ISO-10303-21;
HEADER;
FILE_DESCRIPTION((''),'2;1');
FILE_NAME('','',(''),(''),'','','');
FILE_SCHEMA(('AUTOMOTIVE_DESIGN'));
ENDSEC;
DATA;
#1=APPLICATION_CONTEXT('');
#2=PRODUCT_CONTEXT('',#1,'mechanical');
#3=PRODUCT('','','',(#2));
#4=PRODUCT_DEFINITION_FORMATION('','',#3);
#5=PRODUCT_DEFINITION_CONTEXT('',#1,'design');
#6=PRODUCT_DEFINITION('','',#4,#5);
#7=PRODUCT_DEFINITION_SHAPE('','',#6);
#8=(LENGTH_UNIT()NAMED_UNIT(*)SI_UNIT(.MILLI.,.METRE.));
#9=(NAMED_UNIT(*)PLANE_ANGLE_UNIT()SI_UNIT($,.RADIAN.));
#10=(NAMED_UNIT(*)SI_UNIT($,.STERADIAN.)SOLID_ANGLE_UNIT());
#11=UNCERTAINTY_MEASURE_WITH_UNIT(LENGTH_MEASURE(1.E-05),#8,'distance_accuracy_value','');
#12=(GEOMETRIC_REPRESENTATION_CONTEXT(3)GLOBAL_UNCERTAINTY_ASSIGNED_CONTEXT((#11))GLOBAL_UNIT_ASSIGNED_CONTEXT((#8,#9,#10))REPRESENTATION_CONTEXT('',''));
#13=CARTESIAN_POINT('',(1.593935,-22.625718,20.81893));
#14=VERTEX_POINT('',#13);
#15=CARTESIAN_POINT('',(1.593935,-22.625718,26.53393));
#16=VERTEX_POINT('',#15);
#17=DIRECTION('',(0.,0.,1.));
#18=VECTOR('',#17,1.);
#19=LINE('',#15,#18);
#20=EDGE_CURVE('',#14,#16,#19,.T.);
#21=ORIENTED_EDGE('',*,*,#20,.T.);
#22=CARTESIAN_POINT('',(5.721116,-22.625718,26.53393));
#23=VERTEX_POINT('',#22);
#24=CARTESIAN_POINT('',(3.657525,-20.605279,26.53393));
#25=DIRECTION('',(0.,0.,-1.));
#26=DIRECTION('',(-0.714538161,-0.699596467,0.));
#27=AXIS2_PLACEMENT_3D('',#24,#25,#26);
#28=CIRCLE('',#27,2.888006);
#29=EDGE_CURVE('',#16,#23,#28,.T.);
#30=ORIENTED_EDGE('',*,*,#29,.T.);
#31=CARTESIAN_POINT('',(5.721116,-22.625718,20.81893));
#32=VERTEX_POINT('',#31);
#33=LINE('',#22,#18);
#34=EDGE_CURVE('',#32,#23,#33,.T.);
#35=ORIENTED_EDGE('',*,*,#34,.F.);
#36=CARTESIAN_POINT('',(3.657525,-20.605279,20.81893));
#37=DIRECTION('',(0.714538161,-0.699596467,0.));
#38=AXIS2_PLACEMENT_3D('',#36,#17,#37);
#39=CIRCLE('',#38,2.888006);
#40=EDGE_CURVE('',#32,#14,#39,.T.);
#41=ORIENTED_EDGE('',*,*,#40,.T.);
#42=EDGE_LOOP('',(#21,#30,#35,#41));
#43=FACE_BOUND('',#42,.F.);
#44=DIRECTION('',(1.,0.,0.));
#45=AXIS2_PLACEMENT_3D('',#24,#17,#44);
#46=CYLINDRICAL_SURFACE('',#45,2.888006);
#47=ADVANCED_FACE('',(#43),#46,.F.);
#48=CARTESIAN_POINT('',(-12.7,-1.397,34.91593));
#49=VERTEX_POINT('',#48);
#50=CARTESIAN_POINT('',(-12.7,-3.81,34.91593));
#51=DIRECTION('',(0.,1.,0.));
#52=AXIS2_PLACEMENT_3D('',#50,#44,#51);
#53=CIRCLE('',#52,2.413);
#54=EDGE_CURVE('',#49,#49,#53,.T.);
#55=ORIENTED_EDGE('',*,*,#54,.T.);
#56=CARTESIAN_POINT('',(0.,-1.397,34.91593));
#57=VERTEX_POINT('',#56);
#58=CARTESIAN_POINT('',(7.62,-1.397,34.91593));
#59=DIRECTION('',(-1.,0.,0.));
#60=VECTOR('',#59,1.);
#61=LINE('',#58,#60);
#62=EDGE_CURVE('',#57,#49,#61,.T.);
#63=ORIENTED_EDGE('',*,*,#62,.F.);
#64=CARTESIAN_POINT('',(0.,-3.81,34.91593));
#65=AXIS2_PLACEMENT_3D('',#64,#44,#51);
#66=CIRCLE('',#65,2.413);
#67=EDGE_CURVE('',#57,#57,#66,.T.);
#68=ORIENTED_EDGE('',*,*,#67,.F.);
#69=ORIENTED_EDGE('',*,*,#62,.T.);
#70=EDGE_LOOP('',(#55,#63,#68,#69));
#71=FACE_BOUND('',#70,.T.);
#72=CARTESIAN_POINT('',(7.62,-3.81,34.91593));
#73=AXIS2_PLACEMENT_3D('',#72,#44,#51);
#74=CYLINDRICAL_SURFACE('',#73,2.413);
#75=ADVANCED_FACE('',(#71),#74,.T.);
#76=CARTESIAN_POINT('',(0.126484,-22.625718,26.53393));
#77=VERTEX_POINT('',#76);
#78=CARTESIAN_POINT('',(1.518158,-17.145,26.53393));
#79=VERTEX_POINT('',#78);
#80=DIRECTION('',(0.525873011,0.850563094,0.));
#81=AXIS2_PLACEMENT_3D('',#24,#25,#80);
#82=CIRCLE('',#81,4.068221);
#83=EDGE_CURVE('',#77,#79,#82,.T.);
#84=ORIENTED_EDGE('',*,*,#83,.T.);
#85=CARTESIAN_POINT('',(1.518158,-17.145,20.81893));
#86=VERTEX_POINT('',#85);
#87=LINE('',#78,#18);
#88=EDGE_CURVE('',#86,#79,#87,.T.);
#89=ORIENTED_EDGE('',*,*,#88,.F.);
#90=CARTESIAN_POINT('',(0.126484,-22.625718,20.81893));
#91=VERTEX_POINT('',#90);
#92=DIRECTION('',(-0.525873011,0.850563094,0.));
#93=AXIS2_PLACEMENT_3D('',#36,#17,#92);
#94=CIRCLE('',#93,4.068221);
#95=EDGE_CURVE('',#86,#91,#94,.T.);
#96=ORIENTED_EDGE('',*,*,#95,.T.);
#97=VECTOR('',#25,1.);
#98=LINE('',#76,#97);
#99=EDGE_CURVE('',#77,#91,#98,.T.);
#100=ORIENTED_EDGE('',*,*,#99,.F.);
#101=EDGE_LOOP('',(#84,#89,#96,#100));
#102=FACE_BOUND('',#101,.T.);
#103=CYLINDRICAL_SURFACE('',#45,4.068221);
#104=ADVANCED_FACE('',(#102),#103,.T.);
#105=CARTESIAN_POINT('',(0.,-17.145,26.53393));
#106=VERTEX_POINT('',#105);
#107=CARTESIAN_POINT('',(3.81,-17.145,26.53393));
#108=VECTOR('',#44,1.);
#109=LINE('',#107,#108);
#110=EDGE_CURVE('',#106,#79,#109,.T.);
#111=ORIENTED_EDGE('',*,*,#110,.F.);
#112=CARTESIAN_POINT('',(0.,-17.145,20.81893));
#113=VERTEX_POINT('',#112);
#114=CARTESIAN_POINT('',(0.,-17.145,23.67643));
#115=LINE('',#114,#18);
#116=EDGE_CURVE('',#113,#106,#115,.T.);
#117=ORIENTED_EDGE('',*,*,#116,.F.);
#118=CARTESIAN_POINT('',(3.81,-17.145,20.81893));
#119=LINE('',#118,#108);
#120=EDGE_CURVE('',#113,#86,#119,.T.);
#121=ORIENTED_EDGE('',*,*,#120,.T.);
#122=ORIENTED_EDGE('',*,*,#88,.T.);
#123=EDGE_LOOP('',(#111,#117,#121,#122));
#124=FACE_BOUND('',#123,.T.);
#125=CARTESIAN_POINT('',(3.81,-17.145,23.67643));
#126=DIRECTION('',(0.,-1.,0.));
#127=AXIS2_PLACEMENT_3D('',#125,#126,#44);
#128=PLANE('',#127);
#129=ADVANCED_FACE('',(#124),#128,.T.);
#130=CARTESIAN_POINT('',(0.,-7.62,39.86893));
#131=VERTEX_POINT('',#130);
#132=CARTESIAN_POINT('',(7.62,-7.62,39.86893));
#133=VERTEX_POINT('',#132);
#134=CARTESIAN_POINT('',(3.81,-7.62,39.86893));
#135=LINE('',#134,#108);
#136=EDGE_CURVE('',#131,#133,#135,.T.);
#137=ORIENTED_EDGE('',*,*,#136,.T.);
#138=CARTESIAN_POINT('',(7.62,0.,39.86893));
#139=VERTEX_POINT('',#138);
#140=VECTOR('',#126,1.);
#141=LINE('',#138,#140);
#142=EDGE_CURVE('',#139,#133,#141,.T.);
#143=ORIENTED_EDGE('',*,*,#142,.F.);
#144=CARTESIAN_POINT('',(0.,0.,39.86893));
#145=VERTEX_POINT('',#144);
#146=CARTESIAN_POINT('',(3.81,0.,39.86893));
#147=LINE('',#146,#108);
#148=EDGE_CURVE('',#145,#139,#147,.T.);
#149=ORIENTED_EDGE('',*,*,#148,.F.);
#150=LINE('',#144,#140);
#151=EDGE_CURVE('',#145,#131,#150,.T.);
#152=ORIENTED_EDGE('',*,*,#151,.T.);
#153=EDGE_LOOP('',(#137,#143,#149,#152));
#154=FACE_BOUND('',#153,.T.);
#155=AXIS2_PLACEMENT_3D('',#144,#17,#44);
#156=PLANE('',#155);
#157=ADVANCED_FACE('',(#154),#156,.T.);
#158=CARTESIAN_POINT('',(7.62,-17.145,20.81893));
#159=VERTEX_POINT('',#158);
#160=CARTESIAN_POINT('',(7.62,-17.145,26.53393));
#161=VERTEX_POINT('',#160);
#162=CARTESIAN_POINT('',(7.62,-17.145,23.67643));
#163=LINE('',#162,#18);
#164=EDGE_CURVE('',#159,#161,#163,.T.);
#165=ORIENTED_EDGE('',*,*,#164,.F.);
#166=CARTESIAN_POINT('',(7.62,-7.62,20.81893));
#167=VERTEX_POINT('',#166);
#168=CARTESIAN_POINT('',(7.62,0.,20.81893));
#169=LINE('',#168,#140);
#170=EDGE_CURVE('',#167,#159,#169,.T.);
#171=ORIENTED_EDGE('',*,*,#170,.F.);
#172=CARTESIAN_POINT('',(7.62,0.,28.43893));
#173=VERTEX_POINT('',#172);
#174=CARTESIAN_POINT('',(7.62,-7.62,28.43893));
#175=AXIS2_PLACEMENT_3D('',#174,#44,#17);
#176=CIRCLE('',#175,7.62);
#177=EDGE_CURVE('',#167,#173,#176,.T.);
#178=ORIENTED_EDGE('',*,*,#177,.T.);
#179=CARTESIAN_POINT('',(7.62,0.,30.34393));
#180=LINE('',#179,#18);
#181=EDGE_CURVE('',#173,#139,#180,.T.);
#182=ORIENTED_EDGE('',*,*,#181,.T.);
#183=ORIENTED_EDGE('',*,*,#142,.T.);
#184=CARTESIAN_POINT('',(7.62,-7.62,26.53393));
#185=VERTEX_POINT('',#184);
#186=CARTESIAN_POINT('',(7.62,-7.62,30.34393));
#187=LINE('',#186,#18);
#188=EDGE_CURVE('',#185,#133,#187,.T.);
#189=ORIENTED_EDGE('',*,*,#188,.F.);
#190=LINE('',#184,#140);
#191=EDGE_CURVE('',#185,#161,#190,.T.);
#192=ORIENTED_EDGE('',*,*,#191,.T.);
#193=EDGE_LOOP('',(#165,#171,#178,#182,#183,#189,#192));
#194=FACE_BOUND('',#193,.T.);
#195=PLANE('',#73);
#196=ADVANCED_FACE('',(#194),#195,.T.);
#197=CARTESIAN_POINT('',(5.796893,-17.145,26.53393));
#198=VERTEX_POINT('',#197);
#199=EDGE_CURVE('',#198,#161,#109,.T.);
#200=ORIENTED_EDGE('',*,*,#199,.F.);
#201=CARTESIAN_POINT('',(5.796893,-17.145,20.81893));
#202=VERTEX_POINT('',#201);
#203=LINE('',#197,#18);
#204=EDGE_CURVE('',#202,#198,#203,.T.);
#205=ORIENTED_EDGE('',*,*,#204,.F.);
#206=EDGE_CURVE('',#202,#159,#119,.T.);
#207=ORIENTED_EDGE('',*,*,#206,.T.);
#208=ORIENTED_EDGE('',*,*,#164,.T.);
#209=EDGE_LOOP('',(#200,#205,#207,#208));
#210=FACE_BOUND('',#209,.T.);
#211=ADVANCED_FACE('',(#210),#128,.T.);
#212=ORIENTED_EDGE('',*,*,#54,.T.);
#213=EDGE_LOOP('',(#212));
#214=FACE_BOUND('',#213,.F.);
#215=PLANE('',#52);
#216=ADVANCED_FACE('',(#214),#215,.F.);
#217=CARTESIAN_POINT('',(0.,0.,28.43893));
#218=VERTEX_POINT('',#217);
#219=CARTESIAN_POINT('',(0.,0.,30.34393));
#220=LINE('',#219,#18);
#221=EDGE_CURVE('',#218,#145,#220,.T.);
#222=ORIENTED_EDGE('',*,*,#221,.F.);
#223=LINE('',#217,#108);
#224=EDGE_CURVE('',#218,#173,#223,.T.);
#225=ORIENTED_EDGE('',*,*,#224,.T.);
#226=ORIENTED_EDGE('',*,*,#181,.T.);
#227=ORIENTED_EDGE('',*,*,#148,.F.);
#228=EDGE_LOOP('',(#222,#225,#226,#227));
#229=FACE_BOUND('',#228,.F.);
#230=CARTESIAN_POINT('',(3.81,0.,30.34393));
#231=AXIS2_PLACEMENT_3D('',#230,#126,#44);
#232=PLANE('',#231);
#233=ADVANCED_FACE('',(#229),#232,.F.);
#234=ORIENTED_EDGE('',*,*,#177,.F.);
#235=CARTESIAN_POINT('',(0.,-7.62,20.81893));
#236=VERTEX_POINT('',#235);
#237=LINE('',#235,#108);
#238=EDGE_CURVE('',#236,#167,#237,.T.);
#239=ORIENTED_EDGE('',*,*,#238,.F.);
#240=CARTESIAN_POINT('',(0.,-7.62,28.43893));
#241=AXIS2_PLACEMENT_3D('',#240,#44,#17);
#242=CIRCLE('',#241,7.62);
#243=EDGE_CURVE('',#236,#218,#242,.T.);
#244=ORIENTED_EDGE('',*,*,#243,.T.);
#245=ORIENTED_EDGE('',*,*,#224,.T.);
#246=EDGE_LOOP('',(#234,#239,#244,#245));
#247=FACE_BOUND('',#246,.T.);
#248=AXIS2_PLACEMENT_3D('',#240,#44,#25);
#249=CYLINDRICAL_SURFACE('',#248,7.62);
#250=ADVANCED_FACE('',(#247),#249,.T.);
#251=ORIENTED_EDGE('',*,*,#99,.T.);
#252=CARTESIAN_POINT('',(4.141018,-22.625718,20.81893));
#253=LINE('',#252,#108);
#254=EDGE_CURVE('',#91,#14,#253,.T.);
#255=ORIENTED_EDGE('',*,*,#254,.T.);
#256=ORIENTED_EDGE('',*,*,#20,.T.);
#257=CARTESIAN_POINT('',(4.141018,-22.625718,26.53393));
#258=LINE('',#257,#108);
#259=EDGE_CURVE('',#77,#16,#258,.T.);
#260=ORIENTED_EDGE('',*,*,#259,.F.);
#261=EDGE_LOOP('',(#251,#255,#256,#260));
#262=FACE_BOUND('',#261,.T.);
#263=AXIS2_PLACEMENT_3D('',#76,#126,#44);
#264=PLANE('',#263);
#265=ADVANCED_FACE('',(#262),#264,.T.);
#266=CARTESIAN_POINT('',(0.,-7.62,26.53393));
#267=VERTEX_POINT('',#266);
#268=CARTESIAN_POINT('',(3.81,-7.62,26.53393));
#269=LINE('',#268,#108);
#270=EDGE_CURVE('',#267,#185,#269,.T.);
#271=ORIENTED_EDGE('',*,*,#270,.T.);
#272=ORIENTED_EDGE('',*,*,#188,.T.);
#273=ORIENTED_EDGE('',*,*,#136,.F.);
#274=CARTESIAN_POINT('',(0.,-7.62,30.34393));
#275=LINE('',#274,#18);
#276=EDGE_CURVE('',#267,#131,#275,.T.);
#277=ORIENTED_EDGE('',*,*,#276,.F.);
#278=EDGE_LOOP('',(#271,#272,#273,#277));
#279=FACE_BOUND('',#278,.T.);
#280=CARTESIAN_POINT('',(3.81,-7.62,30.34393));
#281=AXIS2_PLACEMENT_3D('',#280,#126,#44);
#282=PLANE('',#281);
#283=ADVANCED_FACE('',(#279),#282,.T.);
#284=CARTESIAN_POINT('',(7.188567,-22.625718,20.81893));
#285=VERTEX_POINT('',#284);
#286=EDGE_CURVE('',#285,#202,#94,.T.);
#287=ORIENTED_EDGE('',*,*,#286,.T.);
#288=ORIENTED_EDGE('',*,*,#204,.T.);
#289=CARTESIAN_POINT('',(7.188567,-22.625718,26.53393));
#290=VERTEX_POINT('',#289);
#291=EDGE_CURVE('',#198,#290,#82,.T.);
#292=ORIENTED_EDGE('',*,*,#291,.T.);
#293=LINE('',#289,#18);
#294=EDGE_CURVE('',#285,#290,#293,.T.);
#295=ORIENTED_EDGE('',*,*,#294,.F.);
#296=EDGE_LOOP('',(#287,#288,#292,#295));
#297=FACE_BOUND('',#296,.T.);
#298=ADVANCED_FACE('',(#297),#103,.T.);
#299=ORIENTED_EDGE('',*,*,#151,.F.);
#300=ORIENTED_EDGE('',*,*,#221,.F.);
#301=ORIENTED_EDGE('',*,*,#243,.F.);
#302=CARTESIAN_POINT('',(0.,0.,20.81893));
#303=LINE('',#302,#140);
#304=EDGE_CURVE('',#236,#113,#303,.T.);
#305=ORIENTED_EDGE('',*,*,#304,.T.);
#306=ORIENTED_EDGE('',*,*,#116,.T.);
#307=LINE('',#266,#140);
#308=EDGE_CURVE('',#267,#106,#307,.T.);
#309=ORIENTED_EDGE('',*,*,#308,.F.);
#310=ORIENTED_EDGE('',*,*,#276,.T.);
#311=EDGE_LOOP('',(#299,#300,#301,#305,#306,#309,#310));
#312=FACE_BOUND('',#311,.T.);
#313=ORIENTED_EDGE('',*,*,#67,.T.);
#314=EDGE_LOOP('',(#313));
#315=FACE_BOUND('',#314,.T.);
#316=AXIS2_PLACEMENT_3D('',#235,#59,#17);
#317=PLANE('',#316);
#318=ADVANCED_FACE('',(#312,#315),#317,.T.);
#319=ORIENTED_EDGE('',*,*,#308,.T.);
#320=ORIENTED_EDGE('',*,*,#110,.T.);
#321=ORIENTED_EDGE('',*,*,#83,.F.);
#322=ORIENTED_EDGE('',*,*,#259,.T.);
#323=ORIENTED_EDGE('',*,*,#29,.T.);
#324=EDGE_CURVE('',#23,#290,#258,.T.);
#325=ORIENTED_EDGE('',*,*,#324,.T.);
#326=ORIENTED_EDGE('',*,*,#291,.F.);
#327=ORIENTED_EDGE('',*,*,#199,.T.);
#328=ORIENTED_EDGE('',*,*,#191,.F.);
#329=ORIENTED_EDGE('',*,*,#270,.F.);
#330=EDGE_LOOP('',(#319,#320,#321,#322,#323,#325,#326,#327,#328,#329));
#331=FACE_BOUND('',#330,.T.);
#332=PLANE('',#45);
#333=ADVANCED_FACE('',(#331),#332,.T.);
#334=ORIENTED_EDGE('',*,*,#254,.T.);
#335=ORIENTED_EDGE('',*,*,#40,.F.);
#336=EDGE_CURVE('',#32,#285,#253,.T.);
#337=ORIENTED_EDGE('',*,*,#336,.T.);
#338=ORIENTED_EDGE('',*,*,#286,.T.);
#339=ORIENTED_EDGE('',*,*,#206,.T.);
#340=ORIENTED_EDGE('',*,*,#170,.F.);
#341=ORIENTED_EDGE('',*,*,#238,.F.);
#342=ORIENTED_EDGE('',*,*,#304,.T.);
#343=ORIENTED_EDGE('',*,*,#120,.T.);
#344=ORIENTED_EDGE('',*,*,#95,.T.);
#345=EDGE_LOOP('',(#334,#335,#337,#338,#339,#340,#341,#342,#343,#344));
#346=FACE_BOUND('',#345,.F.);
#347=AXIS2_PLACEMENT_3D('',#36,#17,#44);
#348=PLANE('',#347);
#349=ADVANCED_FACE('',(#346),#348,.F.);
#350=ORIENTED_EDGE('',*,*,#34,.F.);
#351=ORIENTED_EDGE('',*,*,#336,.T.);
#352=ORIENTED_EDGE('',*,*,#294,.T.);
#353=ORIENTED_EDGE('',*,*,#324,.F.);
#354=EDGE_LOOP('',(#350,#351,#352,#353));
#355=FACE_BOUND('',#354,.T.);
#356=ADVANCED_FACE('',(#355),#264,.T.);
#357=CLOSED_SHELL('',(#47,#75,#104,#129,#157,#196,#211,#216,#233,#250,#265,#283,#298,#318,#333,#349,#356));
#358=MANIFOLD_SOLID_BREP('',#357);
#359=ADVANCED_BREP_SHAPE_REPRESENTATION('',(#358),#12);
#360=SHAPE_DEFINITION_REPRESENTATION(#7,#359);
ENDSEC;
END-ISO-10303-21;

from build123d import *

# Parameters (mm, degrees)
F0_W      = 5.08
F0_H      = 12.7
F1_DEPTH  = 5.08
F2_W      = 5.08
F2_H      = 3.81
F3_DEPTH  = 6.35
F4_R      = 5.08
F5_R      = 2.7121475218
F6_DEPTH  = 3.81
F7_R      = 1.9253373718
F8_DEPTH  = 3.81
F9_W      = 5.3527112813
F9_H      = 1.6279429131
F10_DEPTH = 3.81
F11_SCALE = 1.5
F12_R     = 2.413
F13_DEPTH = 20.32


with BuildPart() as f1:
    # F0 (on Front) → F1 (new body)
    with BuildSketch(Plane.XZ):
        with Locations((2.54, 20.2292869008)):
            Rectangle(F0_W, F0_H)
    extrude(amount=F1_DEPTH)

    # F2 (on face) → F3 (join)
    with BuildSketch(Plane.XZ.offset(5.08)):
        with Locations((2.54, 15.7842869008)):
            Rectangle(F2_W, F2_H)
    extrude(amount=F3_DEPTH)

    # F4
    f4_edges = [f1.edges().sort_by_distance(p)[0] for p in [
        (2.54, 0, 13.879287),
    ]]
    fillet(f4_edges, radius=F4_R)

    # F5 (on face) → F6 (join)
    with BuildSketch(Plane.XY.offset(17.6892869008)):
        with Locations((2.4383503072, -13.7368525874)):
            Circle(F5_R)
    extrude(amount=-F6_DEPTH)

    # F7 (on face) → F8 (cut)
    with BuildSketch(Plane.XY.offset(17.6892869008)):
        with Locations((2.4383503072, -13.7368525874)):
            Circle(F7_R)
    extrude(amount=-F8_DEPTH, mode=Mode.SUBTRACT)

    # F9 (on face) → F10 (cut)
    with BuildSketch(Plane.XY.offset(17.6892869008)):
        with Locations((2.7606785416, -15.8977832678)):
            Rectangle(F9_W, F9_H)
    extrude(amount=-F10_DEPTH, mode=Mode.SUBTRACT)


with BuildPart() as f1_1:
    # F11: moved
    add(f1.part.scale(F11_SCALE))

    # F12 (on face) → F13 (join)
    with BuildSketch(Plane.YZ.offset(7.62)):
        with Locations((-3.81, 34.9159303513)):
            Circle(F12_R)
    extrude(amount=-F13_DEPTH)


solid = f1_1.part
